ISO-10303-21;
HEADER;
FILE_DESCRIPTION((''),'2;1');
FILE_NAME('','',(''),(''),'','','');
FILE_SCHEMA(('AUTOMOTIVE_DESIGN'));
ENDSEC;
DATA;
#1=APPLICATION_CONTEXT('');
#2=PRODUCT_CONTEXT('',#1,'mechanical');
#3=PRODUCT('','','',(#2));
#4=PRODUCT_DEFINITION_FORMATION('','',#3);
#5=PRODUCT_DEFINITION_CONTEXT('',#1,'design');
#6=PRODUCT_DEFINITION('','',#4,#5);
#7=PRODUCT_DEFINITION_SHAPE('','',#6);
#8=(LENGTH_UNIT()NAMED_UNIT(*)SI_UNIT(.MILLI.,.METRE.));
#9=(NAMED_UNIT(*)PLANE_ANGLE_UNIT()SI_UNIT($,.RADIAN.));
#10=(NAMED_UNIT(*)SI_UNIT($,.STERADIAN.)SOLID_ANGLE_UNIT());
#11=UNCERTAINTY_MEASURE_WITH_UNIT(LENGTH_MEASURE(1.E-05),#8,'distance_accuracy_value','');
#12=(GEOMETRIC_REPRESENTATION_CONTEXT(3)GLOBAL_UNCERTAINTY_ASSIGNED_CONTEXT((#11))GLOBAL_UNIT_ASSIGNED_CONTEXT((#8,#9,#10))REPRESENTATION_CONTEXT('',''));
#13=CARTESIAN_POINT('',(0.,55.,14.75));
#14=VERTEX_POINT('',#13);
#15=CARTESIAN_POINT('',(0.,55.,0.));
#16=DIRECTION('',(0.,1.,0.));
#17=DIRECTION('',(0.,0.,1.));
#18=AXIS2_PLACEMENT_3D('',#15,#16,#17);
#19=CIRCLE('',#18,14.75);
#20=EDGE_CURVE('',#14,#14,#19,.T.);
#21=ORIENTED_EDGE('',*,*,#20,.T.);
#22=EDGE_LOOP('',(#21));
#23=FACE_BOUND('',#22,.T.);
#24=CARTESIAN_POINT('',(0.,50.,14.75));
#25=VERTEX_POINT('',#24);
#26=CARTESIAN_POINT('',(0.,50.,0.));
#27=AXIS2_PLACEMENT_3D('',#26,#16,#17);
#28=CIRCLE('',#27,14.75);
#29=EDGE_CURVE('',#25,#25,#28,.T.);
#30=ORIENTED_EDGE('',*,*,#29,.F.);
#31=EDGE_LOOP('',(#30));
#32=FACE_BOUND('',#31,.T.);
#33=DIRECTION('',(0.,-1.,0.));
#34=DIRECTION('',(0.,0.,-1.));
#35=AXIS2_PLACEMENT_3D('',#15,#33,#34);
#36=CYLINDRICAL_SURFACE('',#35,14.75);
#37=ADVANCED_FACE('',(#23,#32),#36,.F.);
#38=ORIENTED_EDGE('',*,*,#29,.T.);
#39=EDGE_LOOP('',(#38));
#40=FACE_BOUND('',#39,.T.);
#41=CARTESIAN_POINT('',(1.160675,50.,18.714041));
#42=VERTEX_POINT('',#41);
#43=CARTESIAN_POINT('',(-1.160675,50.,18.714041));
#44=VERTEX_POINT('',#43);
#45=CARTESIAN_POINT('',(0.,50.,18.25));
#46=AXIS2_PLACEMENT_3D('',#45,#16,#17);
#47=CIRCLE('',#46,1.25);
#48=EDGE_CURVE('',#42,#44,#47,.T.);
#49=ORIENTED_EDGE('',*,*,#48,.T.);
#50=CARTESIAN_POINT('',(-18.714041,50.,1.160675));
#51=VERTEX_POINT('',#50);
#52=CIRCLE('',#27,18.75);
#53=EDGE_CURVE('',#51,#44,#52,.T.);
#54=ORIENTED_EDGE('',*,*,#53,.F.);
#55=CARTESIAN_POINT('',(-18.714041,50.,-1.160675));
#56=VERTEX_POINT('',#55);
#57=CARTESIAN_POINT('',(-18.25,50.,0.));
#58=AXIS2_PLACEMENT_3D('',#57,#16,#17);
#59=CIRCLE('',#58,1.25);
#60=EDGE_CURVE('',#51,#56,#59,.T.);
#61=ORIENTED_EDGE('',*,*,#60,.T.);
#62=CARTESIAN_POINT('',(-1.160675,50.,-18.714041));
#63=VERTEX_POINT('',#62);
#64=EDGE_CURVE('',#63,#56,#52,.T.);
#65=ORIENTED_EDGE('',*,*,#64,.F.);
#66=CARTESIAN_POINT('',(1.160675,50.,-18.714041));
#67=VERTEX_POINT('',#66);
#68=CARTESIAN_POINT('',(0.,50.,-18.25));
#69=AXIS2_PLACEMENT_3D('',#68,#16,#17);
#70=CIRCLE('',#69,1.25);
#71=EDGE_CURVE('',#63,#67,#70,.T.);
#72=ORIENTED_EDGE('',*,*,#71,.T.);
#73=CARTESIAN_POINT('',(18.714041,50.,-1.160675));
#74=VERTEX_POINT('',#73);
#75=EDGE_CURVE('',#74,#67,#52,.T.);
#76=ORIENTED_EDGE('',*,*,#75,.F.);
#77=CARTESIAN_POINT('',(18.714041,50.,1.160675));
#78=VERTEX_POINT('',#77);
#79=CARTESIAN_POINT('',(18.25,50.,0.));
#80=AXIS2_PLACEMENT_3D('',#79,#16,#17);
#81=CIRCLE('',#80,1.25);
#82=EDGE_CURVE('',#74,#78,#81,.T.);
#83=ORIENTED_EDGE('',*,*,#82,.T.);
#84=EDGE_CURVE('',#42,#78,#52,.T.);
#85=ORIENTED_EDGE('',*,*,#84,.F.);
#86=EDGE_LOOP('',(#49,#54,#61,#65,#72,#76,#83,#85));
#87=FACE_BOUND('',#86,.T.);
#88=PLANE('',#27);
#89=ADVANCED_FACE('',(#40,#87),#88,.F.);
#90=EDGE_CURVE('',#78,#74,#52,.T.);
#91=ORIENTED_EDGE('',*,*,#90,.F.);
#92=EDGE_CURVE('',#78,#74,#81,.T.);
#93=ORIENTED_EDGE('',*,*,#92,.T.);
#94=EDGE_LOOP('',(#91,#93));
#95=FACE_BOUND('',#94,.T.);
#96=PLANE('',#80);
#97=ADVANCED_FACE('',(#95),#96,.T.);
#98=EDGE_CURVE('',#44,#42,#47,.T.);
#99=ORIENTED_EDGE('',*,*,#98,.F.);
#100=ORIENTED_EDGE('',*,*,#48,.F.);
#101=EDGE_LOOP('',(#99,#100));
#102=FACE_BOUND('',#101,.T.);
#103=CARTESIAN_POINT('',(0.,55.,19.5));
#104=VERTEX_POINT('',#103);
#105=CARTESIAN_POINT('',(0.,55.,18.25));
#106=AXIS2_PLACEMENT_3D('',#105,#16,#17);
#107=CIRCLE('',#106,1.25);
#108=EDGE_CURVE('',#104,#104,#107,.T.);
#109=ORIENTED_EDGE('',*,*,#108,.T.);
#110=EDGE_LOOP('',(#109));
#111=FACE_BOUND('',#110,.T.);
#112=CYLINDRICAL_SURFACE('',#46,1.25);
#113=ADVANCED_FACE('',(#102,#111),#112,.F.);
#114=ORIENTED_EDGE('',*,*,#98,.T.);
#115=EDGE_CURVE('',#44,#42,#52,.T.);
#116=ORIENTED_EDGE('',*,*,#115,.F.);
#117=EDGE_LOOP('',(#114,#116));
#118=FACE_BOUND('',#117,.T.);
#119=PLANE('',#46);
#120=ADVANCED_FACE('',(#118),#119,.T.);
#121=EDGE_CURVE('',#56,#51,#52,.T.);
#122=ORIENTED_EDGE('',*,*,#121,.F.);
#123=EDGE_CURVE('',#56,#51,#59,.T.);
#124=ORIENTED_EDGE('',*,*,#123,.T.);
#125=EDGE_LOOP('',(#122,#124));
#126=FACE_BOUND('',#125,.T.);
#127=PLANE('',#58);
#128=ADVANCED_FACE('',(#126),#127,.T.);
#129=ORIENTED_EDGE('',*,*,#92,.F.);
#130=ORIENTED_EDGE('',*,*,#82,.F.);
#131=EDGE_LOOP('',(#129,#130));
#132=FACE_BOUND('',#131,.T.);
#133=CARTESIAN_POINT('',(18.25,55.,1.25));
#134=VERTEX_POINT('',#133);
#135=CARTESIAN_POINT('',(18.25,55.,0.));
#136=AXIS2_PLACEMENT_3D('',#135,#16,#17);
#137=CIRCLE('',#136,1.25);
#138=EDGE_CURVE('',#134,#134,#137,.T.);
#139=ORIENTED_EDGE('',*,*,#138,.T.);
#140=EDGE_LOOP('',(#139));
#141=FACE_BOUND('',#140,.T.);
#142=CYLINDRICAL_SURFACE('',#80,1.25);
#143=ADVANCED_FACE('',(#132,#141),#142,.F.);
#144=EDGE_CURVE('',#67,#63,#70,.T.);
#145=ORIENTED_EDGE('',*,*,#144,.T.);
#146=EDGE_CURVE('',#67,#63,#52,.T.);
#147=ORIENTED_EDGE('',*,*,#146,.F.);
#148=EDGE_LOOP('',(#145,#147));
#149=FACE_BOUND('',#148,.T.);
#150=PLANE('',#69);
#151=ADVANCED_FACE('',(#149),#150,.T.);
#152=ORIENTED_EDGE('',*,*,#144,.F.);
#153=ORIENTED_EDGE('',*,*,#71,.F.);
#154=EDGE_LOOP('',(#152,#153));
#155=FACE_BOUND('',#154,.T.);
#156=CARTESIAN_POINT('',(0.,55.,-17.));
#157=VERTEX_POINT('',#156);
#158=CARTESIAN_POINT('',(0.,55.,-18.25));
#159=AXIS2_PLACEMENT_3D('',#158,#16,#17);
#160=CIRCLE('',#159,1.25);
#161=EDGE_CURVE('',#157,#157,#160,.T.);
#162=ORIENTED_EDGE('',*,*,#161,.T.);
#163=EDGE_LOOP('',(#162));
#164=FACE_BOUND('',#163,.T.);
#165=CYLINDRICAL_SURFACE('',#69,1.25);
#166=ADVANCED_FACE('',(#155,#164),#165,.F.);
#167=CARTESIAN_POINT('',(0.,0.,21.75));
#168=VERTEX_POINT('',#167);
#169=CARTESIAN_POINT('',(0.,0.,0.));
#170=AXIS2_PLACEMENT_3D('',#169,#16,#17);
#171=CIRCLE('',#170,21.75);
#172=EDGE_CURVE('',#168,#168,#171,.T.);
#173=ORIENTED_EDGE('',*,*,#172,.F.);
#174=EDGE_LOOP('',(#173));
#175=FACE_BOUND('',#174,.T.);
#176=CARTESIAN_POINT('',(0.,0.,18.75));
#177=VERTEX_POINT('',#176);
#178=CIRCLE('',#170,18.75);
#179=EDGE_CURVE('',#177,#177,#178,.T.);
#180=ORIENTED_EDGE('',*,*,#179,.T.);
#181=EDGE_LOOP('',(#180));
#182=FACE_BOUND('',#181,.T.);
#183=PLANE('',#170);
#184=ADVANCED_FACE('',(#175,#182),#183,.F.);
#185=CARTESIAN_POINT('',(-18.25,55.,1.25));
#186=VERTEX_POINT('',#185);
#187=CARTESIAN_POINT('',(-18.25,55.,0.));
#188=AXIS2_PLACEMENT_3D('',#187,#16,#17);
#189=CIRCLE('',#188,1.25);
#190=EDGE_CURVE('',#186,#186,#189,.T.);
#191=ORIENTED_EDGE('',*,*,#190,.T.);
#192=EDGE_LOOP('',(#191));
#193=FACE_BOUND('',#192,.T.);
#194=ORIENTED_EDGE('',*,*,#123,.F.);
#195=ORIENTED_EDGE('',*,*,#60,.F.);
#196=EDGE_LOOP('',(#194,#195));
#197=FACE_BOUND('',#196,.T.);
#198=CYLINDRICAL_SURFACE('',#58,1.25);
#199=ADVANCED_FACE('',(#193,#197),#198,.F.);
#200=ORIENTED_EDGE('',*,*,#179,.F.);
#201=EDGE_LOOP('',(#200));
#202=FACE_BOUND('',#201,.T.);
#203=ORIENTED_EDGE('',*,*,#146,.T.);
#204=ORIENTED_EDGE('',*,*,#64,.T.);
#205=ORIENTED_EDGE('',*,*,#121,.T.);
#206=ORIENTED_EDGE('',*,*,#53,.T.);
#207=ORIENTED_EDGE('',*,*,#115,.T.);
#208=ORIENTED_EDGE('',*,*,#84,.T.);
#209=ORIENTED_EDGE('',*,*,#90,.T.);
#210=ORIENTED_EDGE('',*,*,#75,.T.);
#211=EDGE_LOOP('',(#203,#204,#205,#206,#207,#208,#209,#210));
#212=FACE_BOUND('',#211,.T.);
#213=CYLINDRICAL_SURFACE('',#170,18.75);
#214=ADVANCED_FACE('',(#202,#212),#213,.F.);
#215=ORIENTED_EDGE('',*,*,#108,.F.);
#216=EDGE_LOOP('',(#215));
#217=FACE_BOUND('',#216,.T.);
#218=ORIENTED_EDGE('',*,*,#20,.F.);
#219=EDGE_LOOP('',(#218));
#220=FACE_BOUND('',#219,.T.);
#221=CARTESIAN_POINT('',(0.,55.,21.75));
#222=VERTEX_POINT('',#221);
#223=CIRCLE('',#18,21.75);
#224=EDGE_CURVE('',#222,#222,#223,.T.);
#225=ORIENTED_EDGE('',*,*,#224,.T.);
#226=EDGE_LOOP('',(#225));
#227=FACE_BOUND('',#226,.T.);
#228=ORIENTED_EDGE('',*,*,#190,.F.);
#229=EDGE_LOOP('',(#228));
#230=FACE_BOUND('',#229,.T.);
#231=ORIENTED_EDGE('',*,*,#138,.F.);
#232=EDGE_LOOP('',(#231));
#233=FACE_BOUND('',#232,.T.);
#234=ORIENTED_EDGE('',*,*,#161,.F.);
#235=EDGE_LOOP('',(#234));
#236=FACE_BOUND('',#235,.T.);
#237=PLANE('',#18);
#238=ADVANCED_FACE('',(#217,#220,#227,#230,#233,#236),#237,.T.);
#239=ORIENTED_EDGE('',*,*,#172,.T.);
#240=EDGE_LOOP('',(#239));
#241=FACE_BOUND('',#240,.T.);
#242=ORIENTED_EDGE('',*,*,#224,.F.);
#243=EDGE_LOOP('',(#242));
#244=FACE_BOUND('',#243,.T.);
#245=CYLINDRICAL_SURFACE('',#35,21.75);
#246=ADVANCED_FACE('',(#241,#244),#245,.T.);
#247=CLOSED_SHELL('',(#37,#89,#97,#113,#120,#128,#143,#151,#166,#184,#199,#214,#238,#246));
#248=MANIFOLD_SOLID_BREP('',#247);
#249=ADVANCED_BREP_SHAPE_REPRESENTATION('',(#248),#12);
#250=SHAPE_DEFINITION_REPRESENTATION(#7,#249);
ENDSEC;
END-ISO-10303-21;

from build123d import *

# Parameters (mm, degrees)
SKETCH_1_R          = 21.75
SKETCH_1_R_2        = 14.75
EXTRUDE_1_DEPTH     = 55
CUT_EXTRUDE_START   = -5
SKETCH_2_R          = 18.75
SKETCH_2_R_2        = 14.75
CUT_EXTRUDE_1_DEPTH = 59.016862823
SKETCH_3_R          = 1.25
CUT_EXTRUDE_2_DEPTH = 5


with BuildPart() as part:
    # ｽｹｯﾁ1 → ﾎﾞｽ - 押し出し1 (new body)
    with BuildSketch(Plane(origin=(0, 0, 0), x_dir=(1, 0, 0), z_dir=(0, 1, 0))):
        with Locations(Location((0, 0, 0), (0, 0, 270))):
            Circle(SKETCH_1_R)
        with Locations(Location((0, 0, 0), (0, 0, 270))):
            Circle(SKETCH_1_R_2, mode=Mode.SUBTRACT)
    extrude(amount=EXTRUDE_1_DEPTH)

    # ｽｹｯﾁ2 → ｶｯﾄ - 押し出し1 (cut, through all)
    with BuildSketch(Plane(origin=(0, 55, 0), x_dir=(1, 0, 0), z_dir=(0, 1, 0)).offset(CUT_EXTRUDE_START)):
        with Locations(Location((0, 0, 0), (0, 0, 270))):
            Circle(SKETCH_2_R)
        with Locations(Location((0, 0, 0), (0, 0, 270))):
            Circle(SKETCH_2_R_2, mode=Mode.SUBTRACT)
    extrude(amount=-CUT_EXTRUDE_1_DEPTH, mode=Mode.SUBTRACT)

    # ｽｹｯﾁ3 → ｶｯﾄ - 押し出し2 (cut)
    with BuildSketch(Plane(origin=(0, 55, 0), x_dir=(1, 0, 0), z_dir=(0, 1, 0))):
        with Locations(Location((0, 18.25, 0), (0, 0, 270))):
            Circle(SKETCH_3_R)
        with Locations(Location((18.25, 0, 0), (0, 0, 270))):
            Circle(SKETCH_3_R)
        with Locations(Location((0, -18.25, 0), (0, 0, 270))):
            Circle(SKETCH_3_R)
        with Locations(Location((-18.25, 0, 0), (0, 0, 270))):
            Circle(SKETCH_3_R)
    extrude(amount=-CUT_EXTRUDE_2_DEPTH, mode=Mode.SUBTRACT)


solid = part.part
